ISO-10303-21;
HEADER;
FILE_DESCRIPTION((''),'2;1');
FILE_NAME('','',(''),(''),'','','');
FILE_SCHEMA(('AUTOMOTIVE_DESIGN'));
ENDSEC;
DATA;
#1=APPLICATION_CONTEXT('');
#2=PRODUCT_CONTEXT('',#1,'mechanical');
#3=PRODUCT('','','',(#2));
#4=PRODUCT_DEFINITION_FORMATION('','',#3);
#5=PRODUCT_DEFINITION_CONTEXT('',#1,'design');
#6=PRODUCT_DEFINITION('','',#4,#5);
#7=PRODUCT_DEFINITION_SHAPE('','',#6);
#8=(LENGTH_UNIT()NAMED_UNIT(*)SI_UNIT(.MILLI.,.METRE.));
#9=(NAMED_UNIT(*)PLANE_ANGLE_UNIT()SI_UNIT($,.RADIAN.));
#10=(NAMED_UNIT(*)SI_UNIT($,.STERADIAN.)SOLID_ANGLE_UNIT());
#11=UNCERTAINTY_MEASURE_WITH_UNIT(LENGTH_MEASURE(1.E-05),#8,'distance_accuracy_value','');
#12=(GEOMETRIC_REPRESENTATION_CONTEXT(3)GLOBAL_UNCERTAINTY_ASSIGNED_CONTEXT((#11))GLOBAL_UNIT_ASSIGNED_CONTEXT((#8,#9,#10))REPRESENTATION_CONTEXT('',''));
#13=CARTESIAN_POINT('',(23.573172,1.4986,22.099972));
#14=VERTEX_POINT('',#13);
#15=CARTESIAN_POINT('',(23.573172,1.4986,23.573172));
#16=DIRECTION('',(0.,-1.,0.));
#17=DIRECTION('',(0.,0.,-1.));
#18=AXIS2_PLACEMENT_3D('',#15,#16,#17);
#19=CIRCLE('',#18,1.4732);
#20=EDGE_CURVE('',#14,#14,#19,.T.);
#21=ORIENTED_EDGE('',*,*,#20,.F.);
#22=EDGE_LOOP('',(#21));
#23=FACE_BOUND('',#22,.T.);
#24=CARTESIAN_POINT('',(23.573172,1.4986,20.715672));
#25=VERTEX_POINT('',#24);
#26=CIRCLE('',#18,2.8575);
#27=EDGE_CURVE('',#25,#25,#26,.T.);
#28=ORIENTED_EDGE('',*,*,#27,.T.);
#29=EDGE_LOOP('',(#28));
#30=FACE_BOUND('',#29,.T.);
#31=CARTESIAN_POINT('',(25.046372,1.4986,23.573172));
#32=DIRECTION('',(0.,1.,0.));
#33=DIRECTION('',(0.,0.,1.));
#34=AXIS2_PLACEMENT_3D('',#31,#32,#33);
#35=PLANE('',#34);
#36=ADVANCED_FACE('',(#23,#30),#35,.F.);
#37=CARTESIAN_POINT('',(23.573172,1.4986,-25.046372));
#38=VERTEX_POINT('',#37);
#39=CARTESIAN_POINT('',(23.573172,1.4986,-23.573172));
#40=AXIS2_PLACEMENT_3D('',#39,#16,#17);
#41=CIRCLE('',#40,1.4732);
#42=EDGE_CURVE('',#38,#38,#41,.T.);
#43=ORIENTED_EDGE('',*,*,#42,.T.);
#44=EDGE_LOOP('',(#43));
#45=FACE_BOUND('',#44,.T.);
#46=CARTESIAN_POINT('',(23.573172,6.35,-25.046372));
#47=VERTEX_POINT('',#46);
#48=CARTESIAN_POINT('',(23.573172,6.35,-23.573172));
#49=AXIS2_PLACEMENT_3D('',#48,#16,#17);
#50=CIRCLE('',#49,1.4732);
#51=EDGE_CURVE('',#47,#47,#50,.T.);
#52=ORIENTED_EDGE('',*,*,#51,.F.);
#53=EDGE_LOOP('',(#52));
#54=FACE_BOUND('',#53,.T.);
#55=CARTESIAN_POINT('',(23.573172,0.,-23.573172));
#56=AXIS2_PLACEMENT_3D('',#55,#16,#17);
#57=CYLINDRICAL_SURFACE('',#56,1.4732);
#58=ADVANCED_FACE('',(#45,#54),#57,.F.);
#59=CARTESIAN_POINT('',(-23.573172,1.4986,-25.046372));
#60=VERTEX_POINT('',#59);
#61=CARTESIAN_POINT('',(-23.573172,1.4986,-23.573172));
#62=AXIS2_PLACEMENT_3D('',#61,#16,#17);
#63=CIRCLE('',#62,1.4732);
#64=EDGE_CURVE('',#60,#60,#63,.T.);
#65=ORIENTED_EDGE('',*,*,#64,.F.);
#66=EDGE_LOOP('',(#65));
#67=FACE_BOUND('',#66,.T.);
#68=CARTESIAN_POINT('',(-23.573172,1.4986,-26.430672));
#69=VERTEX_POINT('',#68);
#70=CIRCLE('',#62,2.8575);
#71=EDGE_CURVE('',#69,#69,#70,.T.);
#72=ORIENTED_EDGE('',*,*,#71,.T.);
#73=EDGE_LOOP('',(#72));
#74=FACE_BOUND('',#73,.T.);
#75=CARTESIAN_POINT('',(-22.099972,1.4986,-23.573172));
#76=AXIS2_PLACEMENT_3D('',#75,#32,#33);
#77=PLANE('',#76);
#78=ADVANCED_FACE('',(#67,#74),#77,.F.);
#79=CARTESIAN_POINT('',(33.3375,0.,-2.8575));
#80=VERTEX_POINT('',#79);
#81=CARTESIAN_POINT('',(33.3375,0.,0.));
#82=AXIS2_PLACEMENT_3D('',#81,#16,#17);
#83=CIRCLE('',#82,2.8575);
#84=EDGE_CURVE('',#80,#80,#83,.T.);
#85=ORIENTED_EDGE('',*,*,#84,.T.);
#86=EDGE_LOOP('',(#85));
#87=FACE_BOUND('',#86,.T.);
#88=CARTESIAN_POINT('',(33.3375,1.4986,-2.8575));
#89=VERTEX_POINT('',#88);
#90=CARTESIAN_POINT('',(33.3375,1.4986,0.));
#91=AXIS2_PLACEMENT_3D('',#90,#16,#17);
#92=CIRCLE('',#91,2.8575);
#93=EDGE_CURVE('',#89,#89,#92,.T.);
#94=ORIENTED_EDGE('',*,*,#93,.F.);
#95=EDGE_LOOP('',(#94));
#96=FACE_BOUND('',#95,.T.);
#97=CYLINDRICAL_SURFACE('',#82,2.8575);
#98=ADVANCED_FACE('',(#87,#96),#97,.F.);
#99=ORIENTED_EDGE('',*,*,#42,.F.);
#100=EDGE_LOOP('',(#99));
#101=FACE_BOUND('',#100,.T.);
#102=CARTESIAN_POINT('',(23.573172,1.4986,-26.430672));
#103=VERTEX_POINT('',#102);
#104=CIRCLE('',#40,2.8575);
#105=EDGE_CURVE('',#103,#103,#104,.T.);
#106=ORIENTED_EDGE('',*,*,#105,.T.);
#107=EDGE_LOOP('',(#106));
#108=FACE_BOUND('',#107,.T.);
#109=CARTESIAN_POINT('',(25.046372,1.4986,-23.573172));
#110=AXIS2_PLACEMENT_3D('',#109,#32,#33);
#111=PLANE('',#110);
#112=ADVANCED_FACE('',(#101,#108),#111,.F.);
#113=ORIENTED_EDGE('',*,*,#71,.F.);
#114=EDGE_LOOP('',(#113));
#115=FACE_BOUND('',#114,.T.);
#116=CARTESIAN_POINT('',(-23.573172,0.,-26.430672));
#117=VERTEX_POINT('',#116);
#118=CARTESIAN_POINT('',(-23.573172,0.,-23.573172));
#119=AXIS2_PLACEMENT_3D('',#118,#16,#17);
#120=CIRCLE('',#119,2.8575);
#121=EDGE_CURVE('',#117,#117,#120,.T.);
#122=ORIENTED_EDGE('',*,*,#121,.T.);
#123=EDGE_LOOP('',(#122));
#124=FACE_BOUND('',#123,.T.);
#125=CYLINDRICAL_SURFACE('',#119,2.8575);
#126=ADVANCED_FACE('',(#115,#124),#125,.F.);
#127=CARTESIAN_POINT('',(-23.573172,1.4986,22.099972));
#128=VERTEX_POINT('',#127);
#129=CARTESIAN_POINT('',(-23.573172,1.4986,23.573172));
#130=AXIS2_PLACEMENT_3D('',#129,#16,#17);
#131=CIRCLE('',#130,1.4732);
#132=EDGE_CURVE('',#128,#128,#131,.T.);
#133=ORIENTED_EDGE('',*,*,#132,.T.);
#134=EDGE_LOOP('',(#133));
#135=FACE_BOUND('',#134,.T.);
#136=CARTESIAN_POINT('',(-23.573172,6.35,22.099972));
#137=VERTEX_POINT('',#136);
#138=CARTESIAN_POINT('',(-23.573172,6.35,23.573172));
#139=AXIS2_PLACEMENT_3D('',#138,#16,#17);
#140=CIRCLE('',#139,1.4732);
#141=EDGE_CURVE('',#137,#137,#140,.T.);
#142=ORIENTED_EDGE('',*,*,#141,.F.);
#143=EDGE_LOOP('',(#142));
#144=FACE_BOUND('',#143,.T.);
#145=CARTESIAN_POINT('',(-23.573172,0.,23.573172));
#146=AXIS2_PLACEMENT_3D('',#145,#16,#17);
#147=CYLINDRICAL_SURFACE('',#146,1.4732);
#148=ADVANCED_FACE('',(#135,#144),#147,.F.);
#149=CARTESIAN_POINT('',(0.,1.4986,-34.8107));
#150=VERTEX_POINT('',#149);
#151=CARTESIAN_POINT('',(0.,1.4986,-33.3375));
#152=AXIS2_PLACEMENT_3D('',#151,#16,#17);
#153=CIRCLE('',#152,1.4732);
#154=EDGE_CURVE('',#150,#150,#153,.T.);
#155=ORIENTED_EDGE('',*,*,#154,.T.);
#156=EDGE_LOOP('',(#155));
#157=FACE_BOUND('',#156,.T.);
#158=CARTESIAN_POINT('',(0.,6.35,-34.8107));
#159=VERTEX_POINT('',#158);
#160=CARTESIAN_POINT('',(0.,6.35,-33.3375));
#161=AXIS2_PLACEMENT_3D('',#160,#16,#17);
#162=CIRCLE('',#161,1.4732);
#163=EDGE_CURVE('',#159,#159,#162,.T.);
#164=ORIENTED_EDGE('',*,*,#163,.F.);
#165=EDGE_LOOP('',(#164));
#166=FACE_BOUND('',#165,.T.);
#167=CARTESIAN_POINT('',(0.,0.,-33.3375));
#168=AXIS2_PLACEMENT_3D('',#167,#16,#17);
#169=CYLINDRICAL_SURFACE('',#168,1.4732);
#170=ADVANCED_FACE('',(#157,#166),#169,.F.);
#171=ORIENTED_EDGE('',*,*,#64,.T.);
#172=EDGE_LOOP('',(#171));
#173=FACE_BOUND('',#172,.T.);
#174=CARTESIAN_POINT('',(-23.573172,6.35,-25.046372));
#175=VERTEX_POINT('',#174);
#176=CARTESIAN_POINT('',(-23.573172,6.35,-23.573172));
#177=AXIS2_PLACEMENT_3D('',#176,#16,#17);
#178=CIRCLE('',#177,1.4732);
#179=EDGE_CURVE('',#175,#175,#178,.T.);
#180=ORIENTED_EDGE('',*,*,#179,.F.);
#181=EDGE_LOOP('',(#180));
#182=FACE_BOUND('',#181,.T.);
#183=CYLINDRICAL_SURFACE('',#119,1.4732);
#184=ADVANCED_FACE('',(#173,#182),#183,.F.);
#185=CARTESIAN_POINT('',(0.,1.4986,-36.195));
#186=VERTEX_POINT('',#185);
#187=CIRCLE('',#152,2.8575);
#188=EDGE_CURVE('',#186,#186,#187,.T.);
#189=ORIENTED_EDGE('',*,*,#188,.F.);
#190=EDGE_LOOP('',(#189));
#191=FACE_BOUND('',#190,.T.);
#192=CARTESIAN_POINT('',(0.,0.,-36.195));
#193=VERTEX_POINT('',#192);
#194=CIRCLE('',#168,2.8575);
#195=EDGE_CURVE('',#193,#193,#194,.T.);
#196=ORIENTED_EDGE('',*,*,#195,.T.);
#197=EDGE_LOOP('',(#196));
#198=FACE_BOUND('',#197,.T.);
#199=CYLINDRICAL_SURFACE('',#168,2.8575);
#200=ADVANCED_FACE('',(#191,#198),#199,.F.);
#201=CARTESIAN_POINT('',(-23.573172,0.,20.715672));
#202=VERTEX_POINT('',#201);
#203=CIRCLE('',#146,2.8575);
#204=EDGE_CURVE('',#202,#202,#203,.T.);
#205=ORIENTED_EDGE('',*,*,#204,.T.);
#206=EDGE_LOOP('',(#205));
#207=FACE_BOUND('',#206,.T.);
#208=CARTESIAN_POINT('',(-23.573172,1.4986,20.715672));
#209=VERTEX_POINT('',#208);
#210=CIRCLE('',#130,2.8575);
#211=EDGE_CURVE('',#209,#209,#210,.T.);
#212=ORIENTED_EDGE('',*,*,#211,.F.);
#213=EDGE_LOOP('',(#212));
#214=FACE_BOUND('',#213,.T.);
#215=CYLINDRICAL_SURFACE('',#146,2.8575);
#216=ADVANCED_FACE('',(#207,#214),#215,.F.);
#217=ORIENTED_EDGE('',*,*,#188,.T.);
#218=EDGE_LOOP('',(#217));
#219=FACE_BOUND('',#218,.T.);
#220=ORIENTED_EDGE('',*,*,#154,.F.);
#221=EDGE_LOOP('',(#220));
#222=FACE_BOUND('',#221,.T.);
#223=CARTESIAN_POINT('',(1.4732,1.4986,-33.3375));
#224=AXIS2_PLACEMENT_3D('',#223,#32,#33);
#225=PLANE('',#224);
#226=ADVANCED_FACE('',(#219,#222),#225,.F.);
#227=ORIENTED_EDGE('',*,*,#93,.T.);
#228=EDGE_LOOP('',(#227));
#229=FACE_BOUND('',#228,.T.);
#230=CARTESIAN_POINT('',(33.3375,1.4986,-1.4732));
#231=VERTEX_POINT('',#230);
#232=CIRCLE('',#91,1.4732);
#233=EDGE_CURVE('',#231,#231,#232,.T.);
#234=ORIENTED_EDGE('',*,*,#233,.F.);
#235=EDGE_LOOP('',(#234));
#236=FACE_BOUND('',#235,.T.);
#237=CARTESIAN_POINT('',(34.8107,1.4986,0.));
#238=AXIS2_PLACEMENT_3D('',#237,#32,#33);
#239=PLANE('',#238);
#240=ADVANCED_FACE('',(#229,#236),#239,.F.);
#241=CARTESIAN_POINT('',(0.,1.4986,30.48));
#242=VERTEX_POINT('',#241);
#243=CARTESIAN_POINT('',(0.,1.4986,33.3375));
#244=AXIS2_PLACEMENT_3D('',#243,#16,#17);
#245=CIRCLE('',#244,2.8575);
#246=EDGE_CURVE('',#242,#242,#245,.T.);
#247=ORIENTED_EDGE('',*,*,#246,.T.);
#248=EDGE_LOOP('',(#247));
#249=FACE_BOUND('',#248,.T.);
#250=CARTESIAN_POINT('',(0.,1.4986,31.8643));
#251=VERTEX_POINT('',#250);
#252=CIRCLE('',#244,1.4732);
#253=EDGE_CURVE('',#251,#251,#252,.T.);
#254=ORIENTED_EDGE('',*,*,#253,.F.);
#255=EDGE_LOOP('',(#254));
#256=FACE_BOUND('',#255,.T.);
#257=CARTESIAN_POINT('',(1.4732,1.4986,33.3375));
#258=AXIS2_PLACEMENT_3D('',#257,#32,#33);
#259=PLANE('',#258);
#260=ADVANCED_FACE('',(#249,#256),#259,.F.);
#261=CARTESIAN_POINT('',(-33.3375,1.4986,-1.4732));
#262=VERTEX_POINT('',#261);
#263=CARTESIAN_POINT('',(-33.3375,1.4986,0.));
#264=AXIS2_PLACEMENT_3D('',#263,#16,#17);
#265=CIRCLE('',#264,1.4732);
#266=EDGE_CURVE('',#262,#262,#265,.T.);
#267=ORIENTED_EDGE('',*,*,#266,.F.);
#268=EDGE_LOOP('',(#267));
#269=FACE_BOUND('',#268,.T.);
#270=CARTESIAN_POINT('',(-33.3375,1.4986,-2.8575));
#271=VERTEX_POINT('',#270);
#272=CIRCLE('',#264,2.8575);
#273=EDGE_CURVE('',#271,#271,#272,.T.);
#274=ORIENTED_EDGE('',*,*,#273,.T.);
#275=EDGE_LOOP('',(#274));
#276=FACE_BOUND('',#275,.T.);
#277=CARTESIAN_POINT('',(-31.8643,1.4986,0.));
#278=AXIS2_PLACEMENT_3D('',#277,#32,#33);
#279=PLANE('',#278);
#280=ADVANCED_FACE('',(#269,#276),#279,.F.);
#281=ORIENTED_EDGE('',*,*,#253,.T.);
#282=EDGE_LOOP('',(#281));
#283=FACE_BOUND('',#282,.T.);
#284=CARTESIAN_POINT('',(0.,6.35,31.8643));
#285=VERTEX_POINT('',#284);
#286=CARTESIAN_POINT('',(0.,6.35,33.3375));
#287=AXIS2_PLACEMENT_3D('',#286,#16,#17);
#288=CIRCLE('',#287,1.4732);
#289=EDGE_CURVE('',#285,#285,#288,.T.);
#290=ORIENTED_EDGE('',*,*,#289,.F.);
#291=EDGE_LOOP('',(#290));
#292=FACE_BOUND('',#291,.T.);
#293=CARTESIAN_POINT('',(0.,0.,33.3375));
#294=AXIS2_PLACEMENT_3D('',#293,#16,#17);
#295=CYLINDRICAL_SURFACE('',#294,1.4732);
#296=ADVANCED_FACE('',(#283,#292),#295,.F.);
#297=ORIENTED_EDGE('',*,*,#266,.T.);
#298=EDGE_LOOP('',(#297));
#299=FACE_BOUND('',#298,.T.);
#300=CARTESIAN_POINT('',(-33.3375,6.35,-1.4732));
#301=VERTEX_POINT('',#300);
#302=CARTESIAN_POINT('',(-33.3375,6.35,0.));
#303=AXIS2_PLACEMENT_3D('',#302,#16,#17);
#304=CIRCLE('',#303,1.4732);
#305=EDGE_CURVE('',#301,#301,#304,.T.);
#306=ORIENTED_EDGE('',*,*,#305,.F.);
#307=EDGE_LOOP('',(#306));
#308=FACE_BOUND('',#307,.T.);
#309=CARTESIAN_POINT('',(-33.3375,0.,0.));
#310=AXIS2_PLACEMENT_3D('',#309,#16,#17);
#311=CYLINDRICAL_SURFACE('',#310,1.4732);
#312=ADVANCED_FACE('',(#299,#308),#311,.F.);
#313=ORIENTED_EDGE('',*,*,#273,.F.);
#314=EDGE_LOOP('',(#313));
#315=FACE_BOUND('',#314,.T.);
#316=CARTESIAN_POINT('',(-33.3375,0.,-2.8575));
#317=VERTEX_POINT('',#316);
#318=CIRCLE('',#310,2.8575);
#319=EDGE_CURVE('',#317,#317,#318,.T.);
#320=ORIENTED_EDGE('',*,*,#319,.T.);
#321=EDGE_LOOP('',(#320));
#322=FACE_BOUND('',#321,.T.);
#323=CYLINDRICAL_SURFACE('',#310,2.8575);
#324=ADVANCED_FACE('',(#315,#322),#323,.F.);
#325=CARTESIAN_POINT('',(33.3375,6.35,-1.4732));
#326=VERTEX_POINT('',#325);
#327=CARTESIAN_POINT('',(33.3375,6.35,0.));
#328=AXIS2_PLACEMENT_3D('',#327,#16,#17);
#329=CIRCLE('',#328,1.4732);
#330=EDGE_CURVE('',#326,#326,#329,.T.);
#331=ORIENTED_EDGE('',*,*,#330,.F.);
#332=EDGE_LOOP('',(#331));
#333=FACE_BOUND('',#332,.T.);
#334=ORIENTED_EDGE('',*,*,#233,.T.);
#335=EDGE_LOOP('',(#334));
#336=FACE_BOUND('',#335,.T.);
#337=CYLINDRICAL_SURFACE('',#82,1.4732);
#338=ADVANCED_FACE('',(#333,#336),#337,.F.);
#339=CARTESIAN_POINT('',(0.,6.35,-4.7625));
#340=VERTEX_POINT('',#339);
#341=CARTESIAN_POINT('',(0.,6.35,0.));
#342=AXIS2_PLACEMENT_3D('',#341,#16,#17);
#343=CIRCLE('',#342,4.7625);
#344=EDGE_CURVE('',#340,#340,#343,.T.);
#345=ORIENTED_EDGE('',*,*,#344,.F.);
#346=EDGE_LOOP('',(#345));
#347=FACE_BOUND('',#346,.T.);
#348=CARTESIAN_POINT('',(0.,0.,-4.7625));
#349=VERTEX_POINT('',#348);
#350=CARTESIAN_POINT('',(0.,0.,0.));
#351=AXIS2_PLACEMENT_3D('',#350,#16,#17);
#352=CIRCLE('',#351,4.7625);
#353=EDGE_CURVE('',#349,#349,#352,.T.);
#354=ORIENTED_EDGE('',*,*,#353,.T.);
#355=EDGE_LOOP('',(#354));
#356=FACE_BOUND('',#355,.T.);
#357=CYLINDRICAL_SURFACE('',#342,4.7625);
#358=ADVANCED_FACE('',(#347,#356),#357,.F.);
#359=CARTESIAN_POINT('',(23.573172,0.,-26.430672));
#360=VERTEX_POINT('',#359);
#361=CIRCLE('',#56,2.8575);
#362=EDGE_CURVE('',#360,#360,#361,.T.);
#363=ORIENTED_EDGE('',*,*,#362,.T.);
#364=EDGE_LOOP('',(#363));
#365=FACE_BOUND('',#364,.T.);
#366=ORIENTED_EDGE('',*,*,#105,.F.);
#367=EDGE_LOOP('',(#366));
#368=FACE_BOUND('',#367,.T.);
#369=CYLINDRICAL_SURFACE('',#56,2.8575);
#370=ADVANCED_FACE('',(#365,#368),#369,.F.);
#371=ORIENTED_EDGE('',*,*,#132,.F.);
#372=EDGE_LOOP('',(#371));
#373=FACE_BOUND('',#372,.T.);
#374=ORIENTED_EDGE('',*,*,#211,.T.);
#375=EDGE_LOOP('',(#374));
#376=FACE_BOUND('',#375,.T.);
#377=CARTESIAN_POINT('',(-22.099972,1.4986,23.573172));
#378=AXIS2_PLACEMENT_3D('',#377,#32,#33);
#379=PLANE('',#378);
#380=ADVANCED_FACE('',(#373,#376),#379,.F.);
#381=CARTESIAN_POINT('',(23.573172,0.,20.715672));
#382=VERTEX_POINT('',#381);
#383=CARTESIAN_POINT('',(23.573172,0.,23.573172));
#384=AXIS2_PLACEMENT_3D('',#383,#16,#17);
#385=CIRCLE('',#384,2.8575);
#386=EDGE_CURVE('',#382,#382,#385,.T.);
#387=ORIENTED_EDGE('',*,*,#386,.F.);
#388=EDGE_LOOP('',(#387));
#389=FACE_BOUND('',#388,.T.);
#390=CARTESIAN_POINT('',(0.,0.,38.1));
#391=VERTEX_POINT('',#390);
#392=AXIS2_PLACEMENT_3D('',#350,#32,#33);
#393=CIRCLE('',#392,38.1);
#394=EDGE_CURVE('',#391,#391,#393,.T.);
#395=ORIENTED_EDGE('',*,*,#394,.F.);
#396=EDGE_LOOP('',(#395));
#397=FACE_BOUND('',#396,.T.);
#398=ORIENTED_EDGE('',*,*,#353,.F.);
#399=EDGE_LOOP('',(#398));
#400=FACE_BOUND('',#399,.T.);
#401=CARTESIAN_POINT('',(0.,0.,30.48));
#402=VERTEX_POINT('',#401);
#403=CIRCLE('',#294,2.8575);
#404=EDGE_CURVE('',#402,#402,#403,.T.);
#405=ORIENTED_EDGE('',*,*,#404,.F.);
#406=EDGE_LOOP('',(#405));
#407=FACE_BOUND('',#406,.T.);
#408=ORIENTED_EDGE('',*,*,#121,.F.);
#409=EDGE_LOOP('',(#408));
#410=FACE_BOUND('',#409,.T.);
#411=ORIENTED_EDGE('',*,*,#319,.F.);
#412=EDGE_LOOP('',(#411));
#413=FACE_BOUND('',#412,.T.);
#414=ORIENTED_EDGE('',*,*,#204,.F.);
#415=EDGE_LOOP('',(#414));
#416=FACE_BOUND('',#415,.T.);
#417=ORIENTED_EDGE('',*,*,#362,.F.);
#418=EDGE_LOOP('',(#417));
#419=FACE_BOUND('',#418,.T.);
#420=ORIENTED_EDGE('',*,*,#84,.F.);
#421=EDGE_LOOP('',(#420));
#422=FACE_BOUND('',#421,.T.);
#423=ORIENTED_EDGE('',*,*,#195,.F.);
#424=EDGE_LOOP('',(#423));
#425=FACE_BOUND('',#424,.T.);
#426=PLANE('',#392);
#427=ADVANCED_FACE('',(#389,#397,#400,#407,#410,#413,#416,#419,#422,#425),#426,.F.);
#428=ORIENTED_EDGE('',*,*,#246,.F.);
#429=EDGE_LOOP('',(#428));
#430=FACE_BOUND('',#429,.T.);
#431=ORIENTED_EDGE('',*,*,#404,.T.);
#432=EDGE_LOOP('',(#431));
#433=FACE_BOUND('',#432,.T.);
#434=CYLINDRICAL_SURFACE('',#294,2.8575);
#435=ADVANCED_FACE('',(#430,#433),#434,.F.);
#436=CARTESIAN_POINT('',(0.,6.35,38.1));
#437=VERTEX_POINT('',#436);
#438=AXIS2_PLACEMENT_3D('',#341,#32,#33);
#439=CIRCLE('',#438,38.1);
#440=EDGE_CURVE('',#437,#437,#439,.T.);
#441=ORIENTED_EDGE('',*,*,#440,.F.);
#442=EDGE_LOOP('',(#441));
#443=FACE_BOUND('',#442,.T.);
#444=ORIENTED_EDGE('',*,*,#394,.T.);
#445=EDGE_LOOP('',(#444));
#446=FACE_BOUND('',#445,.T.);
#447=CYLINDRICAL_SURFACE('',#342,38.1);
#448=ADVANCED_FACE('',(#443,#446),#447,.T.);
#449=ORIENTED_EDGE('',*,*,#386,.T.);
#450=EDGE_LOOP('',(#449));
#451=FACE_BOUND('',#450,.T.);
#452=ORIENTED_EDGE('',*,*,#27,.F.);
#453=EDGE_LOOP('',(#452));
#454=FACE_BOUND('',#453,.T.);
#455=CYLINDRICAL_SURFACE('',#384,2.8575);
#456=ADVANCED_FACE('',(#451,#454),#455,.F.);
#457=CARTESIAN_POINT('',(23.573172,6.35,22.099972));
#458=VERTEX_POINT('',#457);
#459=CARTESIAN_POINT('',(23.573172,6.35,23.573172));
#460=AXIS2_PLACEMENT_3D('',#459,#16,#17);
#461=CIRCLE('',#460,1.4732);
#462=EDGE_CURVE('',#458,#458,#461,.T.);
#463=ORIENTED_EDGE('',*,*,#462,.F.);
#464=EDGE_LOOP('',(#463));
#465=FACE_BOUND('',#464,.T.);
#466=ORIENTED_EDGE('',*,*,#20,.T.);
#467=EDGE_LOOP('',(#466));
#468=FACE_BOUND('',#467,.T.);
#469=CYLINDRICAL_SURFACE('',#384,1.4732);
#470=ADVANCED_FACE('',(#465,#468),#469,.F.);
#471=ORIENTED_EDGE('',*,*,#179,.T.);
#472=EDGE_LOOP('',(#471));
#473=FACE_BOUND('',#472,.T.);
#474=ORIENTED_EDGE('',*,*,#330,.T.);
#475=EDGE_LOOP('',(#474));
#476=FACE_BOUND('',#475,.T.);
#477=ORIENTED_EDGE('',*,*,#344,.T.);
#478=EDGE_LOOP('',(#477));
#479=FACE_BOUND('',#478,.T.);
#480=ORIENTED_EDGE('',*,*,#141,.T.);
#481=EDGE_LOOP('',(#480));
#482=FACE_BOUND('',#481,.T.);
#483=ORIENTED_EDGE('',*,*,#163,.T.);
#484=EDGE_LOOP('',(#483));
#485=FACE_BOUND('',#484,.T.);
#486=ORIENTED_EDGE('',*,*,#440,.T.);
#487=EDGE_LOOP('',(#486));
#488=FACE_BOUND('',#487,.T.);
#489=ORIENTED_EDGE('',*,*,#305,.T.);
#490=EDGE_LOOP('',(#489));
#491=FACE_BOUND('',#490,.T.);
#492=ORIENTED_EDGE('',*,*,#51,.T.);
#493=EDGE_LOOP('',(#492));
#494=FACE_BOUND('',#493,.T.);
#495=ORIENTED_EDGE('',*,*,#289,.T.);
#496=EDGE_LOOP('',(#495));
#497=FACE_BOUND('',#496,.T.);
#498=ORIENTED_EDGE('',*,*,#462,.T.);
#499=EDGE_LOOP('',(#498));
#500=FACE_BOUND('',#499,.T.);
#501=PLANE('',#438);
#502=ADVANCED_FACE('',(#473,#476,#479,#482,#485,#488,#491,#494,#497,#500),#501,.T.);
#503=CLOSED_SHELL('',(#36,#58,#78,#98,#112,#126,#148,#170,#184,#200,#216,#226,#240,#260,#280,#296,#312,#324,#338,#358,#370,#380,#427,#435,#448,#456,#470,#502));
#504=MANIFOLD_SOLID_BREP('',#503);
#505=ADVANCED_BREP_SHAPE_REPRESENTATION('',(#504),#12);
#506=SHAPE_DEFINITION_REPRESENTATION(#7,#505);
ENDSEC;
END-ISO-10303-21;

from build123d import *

# Parameters (mm, degrees)
SKETCH1_R                                      = 38.1
BOSS_EXTRUDE1_DEPTH                            = 6.35
CBORE_FOR_4_BUTTON_HEAD_CAP_SCREW1_D           = 2.9464
CBORE_FOR_4_BUTTON_HEAD_CAP_SCREW1_CBORE_D     = 5.715
CBORE_FOR_4_BUTTON_HEAD_CAP_SCREW1_CBORE_DEPTH = 1.4986
CIRPATTERN1_COUNT                              = 8
SKETCH8_R                                      = 4.7625
CUT_EXTRUDE1_DEPTH                             = 55.254423783


with BuildPart() as part:
    # Sketch1 → Boss-Extrude1 (new body)
    with BuildSketch(Plane(origin=(0, 0, 0), x_dir=(1, 0, 0), z_dir=(0, 1, 0))):
        with Locations(Location((0, 0, 0), (0, 0, 270))):
            Circle(SKETCH1_R)
    extrude(amount=BOSS_EXTRUDE1_DEPTH)

    # CBORE for #4 Button Head Cap Screw1 (through all)
    with Locations(Plane(origin=(0, 0, 0), x_dir=(-1, 0, 0), z_dir=(0, -1, 0))):
        with Locations((0, -33.3375)):
            cbore_for_4_button_head_cap_screw1 = CounterBoreHole(CBORE_FOR_4_BUTTON_HEAD_CAP_SCREW1_D / 2, CBORE_FOR_4_BUTTON_HEAD_CAP_SCREW1_CBORE_D / 2, CBORE_FOR_4_BUTTON_HEAD_CAP_SCREW1_CBORE_DEPTH)

    # CirPattern1: CBORE for #4 Button Head Cap Screw1 ×8 about axis
    cirpattern1_axis = Axis((0, 0, 0), (0, 1, 0))
    for i in range(1, CIRPATTERN1_COUNT):
        add(cbore_for_4_button_head_cap_screw1.rotate(cirpattern1_axis, i * 360 / CIRPATTERN1_COUNT), mode=Mode.SUBTRACT)

    # Sketch8 → Cut-Extrude1 (cut, through all)
    with BuildSketch(Plane.XZ):
        with Locations(Location((0, 0, 0), (0, 0, 270))):
            Circle(SKETCH8_R)
    extrude(amount=-CUT_EXTRUDE1_DEPTH, mode=Mode.SUBTRACT)


solid = part.part
